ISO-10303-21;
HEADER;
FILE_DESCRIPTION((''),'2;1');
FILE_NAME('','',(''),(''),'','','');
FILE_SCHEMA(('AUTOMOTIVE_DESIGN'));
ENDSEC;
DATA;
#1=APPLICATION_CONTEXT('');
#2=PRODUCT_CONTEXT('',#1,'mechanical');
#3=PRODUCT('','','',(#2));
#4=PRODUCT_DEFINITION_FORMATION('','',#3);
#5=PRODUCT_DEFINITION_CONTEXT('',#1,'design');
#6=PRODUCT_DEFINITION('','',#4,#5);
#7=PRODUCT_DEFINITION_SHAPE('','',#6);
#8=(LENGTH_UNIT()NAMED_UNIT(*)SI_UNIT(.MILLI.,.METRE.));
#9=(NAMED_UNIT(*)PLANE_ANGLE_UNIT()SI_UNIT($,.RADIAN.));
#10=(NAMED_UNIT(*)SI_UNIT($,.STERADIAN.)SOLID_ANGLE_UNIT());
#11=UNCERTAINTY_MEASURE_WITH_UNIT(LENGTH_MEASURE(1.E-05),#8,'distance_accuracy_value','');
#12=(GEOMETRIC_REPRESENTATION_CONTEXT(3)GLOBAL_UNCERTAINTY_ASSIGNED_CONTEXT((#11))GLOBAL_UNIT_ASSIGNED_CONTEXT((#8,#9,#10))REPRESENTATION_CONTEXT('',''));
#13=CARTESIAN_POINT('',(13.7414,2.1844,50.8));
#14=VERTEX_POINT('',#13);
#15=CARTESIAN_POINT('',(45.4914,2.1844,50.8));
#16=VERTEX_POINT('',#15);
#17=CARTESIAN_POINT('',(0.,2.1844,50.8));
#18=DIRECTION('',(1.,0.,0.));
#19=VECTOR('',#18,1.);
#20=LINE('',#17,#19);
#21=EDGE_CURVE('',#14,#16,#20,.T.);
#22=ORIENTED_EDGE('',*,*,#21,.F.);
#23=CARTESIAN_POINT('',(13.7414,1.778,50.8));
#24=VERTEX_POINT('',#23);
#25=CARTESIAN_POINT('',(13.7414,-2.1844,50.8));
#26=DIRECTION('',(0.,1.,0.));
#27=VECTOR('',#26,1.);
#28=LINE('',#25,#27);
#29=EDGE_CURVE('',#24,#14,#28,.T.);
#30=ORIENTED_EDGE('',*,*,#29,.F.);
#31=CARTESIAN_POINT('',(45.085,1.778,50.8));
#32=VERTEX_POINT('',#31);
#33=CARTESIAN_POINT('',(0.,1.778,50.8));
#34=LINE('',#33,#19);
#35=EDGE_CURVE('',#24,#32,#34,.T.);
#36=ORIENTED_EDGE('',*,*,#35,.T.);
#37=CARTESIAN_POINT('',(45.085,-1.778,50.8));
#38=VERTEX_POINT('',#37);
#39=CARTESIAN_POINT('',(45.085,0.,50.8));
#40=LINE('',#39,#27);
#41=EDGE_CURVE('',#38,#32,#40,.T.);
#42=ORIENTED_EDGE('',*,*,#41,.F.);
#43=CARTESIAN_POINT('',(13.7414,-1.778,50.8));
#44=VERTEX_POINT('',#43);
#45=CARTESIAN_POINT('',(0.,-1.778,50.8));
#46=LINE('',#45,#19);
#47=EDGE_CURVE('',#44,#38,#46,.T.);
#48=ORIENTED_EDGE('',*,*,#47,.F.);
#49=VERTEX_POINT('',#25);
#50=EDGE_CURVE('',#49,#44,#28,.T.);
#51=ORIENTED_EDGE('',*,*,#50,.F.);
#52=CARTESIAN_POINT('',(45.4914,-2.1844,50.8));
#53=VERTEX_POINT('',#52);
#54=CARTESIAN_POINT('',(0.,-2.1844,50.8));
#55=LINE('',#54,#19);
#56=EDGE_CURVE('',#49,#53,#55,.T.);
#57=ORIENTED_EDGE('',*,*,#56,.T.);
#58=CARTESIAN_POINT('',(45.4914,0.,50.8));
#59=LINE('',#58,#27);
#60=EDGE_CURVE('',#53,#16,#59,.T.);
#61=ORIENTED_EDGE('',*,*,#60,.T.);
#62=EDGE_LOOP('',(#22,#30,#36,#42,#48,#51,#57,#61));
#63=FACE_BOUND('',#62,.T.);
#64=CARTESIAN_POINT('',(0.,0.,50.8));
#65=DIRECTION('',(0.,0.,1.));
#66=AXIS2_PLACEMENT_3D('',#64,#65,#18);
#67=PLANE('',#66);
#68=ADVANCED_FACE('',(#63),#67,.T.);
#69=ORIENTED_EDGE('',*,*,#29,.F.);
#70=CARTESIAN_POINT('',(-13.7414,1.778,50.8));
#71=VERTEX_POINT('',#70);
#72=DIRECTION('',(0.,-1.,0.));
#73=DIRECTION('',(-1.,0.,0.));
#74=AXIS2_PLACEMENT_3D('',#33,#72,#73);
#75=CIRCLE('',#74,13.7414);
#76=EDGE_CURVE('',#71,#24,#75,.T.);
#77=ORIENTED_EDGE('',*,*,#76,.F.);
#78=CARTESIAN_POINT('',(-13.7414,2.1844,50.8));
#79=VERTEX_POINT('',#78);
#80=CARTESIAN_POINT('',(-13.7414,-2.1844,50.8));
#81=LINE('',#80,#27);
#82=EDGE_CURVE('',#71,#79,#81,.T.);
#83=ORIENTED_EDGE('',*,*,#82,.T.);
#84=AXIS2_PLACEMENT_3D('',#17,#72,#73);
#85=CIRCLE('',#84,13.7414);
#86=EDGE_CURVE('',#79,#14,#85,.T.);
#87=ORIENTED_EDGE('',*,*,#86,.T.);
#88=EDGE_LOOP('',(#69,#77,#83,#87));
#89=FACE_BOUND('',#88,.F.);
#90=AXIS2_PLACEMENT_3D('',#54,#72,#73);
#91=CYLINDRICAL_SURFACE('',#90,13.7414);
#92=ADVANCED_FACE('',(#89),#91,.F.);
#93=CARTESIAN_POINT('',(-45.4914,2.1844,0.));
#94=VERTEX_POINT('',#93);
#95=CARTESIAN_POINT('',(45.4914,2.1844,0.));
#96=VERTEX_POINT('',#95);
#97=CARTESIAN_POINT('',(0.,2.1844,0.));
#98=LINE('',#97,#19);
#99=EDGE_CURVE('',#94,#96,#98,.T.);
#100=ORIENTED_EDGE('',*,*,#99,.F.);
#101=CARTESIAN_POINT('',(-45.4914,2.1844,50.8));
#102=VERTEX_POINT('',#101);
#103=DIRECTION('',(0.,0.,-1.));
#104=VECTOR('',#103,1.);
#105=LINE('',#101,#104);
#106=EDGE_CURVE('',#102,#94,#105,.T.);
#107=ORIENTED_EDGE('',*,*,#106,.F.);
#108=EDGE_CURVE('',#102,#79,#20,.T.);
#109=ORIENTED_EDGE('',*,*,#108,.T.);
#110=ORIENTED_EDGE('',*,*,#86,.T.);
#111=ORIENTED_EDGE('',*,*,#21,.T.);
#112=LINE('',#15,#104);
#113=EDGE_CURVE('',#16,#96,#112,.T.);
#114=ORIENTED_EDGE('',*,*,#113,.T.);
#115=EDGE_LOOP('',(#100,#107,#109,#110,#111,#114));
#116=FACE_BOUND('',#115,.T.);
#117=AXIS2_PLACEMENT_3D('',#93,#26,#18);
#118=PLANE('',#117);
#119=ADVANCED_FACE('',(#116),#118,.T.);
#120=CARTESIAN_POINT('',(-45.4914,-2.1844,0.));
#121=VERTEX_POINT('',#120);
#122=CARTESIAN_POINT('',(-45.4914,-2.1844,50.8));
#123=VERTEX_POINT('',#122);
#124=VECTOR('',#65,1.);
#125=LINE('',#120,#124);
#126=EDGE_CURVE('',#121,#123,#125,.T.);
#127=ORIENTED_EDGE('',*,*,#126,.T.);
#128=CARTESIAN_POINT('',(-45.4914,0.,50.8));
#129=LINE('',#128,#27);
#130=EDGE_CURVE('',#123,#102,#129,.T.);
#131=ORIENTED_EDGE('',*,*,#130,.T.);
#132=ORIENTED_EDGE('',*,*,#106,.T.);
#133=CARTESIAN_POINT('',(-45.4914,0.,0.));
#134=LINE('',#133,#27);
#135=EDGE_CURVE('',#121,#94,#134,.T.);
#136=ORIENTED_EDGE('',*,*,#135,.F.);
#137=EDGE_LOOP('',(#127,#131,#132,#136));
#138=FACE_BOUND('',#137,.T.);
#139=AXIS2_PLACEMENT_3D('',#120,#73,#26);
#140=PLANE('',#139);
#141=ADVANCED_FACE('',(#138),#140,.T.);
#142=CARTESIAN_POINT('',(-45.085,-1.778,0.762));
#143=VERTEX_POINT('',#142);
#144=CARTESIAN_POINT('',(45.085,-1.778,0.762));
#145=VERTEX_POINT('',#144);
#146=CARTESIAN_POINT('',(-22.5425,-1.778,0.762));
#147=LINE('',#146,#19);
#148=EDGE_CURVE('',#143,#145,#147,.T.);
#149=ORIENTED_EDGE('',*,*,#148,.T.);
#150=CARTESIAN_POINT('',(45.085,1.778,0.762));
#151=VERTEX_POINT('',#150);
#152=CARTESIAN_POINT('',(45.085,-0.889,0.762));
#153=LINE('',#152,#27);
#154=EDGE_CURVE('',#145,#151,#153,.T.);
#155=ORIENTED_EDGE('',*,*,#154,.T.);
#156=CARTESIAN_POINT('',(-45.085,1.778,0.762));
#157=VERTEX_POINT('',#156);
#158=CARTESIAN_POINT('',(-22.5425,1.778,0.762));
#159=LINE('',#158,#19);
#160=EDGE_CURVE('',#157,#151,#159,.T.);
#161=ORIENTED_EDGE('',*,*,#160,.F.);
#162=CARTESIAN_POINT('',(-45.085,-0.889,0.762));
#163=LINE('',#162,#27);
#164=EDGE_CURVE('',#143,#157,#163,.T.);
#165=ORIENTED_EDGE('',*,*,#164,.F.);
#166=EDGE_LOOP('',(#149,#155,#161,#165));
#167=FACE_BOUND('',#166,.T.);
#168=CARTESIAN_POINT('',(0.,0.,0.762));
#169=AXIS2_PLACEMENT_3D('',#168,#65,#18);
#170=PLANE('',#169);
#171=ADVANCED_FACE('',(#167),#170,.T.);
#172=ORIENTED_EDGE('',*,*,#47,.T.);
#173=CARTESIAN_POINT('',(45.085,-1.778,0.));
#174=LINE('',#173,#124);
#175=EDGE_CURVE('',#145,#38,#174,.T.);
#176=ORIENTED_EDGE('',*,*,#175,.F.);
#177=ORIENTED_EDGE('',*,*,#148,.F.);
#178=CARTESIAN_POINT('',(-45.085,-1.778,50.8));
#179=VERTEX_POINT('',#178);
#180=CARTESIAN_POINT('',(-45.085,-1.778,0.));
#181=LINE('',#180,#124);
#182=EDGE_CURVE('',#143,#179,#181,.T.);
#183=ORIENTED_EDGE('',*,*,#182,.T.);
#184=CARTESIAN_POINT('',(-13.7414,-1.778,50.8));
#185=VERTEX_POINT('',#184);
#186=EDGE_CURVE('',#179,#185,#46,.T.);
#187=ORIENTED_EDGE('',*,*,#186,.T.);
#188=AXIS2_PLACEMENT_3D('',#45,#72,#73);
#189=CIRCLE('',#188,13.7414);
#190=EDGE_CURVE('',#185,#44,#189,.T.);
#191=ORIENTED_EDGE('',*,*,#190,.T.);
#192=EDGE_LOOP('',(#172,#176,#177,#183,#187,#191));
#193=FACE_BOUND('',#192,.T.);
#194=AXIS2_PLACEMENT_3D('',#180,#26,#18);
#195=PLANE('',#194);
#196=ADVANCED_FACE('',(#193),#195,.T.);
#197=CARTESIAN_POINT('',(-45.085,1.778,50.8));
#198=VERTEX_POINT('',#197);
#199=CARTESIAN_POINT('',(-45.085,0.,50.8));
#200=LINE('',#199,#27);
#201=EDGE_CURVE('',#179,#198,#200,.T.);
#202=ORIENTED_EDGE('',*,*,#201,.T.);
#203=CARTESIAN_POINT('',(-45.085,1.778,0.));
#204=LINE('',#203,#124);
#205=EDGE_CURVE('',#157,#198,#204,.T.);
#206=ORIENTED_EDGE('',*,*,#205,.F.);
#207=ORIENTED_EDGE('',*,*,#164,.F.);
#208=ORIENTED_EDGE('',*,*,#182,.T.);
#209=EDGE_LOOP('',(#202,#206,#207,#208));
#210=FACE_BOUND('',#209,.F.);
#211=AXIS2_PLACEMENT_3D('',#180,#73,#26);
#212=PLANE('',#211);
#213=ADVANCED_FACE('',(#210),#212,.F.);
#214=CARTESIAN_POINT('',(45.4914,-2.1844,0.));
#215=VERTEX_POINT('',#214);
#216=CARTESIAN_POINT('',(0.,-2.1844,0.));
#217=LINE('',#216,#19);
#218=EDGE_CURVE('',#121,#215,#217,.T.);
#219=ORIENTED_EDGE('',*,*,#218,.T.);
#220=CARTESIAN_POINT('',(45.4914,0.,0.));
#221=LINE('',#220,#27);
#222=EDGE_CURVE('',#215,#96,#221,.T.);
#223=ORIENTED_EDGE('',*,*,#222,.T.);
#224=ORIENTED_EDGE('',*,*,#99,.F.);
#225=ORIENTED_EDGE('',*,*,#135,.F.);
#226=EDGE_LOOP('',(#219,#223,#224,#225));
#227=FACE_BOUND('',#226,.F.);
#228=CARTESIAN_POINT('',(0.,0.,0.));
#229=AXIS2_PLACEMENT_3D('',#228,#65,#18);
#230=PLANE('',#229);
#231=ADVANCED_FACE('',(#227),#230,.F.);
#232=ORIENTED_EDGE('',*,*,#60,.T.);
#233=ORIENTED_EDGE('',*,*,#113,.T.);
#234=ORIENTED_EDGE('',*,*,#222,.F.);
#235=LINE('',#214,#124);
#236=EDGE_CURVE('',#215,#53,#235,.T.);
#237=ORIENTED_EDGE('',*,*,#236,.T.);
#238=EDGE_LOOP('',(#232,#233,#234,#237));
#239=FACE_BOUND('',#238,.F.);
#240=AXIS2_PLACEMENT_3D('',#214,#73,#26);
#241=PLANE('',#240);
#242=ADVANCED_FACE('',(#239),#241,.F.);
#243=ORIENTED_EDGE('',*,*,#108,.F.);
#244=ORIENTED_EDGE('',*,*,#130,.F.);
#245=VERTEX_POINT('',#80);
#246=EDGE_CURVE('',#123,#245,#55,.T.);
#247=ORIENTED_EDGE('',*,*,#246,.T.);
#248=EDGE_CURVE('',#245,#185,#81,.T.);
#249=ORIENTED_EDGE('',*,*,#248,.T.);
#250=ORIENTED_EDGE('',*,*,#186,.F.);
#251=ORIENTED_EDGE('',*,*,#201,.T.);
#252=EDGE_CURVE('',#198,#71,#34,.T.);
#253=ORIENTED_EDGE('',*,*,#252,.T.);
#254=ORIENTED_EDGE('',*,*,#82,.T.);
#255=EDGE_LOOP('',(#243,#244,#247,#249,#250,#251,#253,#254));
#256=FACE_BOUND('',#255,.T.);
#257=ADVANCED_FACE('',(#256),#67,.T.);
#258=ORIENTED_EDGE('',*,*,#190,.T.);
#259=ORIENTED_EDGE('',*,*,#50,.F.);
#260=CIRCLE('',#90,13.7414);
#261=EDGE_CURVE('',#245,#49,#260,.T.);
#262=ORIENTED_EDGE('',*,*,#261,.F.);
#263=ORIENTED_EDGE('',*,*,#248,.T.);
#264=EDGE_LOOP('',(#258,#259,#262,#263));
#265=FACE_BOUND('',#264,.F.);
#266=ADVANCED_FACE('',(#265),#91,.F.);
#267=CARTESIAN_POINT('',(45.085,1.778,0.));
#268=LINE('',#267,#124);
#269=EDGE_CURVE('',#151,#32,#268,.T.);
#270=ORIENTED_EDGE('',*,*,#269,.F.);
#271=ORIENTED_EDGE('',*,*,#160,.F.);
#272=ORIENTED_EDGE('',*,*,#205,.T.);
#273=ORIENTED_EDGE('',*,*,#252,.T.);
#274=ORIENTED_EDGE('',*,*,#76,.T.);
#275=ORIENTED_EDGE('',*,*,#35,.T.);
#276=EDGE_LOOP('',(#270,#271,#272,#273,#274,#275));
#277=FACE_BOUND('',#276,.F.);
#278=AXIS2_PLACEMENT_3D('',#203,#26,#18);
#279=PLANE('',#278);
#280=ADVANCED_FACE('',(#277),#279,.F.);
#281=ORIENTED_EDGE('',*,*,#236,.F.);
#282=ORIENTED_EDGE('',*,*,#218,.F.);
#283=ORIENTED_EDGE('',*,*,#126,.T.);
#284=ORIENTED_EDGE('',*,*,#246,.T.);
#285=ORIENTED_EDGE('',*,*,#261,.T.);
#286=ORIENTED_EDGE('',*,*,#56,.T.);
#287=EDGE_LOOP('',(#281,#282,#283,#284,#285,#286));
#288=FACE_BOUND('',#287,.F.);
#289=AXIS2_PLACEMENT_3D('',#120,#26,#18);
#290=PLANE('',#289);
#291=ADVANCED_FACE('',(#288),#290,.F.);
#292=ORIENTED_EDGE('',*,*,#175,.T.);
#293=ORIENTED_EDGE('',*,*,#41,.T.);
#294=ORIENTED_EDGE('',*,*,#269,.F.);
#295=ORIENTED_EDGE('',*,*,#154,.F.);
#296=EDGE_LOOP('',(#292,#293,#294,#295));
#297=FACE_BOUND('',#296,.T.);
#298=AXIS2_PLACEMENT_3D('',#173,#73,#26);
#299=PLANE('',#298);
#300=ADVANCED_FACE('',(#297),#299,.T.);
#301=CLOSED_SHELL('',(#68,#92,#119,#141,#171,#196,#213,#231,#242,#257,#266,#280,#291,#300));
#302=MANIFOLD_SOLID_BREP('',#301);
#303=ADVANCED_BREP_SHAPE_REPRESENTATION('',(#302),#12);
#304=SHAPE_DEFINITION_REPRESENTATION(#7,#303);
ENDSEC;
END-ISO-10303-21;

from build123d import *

# Parameters (mm, degrees)
F0_W     = 90.9828
F0_H     = 4.3688
F0_W_2   = 90.17
F0_H_2   = 3.556
F1_DEPTH = 50.8
F2_DEPTH = 0.762
F4_DEPTH = 4.3698


with BuildPart() as f1:
    # F0 (on Top) → F1 (new body)
    with BuildSketch(Plane.XY):
        Rectangle(F0_W, F0_H)
        Rectangle(F0_W_2, F0_H_2, mode=Mode.SUBTRACT)
    extrude(amount=F1_DEPTH)

    # F0 (on Top) → F2 (join)
    with BuildSketch(Plane.XY):
        Rectangle(F0_W, F0_H)
        Rectangle(F0_W_2, F0_H_2, mode=Mode.SUBTRACT)
        Rectangle(F0_W_2, F0_H_2)
    extrude(amount=F2_DEPTH)

    # F3 (on face) → F4 (cut, through all)
    with BuildSketch(Plane.XZ.offset(2.1844)):
        with BuildLine():
            Line((13.7414, 50.8), (-13.7414, 50.8))
            ThreePointArc((-13.7414, 50.8), (0, 37.0586), (13.7414, 50.8))
        make_face()
    extrude(amount=-F4_DEPTH, mode=Mode.SUBTRACT)


solid = f1.part
